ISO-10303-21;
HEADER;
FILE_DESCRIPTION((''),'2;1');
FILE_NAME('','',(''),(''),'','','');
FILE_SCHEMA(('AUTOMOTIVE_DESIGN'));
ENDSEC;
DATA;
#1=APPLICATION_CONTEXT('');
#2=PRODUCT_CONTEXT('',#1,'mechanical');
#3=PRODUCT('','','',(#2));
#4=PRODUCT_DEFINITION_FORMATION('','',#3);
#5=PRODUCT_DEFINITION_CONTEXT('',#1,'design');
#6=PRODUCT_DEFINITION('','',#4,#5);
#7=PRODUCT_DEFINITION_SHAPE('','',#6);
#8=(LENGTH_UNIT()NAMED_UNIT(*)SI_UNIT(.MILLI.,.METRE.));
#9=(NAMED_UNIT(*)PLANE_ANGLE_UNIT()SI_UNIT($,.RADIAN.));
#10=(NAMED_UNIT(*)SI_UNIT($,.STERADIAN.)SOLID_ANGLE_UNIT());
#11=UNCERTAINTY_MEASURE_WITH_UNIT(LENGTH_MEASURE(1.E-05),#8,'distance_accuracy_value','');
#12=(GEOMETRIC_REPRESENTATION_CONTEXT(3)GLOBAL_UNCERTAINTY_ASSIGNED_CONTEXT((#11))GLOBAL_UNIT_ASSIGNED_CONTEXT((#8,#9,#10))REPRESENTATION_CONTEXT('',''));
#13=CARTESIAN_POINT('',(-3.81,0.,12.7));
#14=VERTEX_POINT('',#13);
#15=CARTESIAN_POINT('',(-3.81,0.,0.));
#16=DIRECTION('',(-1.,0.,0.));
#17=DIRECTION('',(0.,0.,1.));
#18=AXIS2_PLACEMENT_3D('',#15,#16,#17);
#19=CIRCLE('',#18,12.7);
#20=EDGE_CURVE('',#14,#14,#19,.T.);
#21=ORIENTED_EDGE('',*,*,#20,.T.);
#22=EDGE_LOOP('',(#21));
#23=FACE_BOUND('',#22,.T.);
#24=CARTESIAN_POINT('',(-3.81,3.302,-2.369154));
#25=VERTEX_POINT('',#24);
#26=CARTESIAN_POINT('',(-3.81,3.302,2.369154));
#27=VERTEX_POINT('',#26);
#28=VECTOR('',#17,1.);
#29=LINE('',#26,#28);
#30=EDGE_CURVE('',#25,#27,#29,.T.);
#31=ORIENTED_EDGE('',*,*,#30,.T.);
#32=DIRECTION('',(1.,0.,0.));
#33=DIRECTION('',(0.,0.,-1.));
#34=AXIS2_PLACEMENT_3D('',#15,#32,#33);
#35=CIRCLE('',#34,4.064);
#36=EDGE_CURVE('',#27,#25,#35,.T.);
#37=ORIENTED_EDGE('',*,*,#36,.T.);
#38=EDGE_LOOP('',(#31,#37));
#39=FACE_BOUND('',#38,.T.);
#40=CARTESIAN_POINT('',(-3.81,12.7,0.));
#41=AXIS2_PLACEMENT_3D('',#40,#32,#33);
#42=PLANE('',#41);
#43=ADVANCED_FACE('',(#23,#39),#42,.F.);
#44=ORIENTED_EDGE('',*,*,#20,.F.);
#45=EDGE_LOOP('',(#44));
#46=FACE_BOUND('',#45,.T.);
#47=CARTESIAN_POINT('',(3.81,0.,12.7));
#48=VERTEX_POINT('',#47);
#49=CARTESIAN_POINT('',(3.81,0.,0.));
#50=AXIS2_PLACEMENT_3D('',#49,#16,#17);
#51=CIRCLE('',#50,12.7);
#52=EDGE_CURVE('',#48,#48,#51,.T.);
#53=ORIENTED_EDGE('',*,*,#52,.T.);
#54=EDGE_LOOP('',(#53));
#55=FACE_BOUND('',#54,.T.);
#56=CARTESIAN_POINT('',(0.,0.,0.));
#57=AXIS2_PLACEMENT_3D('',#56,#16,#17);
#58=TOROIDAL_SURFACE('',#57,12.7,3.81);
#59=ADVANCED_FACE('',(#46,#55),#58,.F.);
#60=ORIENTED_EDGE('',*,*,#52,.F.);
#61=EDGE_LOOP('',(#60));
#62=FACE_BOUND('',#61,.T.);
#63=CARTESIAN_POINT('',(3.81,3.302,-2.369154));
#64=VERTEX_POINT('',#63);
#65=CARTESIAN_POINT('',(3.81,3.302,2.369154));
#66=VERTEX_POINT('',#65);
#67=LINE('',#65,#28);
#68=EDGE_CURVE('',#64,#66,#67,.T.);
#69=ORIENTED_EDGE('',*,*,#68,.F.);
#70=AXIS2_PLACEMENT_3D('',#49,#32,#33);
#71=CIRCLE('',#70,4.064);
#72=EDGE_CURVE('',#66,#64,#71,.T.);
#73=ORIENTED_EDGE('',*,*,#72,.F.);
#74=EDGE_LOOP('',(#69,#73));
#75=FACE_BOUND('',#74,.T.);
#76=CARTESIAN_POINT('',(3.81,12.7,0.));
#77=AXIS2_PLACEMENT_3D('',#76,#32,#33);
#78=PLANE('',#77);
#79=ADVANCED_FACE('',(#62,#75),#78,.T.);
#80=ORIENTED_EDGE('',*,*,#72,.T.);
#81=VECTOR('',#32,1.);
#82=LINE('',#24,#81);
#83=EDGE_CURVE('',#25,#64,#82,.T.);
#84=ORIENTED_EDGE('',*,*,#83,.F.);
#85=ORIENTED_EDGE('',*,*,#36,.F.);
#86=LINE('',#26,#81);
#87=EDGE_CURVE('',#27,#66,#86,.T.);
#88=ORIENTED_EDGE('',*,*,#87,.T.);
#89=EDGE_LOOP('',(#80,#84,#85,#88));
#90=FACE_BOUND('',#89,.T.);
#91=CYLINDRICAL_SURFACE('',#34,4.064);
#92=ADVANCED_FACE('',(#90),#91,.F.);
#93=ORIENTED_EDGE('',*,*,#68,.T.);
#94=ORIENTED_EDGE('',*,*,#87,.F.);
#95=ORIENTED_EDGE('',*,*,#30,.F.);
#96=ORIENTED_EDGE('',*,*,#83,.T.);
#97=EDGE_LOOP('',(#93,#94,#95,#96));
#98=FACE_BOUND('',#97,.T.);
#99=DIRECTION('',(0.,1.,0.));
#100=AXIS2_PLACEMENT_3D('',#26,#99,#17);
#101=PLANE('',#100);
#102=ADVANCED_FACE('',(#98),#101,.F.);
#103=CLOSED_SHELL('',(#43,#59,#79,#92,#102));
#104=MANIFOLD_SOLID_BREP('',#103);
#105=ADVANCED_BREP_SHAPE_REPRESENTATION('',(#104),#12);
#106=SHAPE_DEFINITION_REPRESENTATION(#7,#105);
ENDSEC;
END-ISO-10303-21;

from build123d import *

# Parameters (mm, degrees)
CUT_EXTRUDE1_DEPTH = 8.62


with BuildPart() as part:
    # Sketch1 → Revolve1 (revolve)
    with BuildSketch(Plane.XY):
        with BuildLine():
            Line((-3.81, 12.7), (-3.81, 0))
            Line((-3.81, 0), (3.81, 0))
            Line((3.81, 0), (3.81, 12.7))
            ThreePointArc((3.81, 12.7), (0, 8.890000116), (-3.81, 12.7))
        make_face()
    revolve(axis=Axis((-3.81, 0, 0), (1, 0, 0)))

    # Sketch2 → Cut-Extrude1 (cut, through all)
    with BuildSketch(Plane(origin=(3.81, 0, 0), x_dir=(0, 0, -1), z_dir=(1, 0, 0))):
        with BuildLine():
            Line((-2.369154279, 3.302), (2.369154279, 3.302))
            ThreePointArc((2.369154279, 3.302), (0, -4.064), (-2.369154279, 3.302))
        make_face()
    extrude(amount=-CUT_EXTRUDE1_DEPTH, mode=Mode.SUBTRACT)


solid = part.part
